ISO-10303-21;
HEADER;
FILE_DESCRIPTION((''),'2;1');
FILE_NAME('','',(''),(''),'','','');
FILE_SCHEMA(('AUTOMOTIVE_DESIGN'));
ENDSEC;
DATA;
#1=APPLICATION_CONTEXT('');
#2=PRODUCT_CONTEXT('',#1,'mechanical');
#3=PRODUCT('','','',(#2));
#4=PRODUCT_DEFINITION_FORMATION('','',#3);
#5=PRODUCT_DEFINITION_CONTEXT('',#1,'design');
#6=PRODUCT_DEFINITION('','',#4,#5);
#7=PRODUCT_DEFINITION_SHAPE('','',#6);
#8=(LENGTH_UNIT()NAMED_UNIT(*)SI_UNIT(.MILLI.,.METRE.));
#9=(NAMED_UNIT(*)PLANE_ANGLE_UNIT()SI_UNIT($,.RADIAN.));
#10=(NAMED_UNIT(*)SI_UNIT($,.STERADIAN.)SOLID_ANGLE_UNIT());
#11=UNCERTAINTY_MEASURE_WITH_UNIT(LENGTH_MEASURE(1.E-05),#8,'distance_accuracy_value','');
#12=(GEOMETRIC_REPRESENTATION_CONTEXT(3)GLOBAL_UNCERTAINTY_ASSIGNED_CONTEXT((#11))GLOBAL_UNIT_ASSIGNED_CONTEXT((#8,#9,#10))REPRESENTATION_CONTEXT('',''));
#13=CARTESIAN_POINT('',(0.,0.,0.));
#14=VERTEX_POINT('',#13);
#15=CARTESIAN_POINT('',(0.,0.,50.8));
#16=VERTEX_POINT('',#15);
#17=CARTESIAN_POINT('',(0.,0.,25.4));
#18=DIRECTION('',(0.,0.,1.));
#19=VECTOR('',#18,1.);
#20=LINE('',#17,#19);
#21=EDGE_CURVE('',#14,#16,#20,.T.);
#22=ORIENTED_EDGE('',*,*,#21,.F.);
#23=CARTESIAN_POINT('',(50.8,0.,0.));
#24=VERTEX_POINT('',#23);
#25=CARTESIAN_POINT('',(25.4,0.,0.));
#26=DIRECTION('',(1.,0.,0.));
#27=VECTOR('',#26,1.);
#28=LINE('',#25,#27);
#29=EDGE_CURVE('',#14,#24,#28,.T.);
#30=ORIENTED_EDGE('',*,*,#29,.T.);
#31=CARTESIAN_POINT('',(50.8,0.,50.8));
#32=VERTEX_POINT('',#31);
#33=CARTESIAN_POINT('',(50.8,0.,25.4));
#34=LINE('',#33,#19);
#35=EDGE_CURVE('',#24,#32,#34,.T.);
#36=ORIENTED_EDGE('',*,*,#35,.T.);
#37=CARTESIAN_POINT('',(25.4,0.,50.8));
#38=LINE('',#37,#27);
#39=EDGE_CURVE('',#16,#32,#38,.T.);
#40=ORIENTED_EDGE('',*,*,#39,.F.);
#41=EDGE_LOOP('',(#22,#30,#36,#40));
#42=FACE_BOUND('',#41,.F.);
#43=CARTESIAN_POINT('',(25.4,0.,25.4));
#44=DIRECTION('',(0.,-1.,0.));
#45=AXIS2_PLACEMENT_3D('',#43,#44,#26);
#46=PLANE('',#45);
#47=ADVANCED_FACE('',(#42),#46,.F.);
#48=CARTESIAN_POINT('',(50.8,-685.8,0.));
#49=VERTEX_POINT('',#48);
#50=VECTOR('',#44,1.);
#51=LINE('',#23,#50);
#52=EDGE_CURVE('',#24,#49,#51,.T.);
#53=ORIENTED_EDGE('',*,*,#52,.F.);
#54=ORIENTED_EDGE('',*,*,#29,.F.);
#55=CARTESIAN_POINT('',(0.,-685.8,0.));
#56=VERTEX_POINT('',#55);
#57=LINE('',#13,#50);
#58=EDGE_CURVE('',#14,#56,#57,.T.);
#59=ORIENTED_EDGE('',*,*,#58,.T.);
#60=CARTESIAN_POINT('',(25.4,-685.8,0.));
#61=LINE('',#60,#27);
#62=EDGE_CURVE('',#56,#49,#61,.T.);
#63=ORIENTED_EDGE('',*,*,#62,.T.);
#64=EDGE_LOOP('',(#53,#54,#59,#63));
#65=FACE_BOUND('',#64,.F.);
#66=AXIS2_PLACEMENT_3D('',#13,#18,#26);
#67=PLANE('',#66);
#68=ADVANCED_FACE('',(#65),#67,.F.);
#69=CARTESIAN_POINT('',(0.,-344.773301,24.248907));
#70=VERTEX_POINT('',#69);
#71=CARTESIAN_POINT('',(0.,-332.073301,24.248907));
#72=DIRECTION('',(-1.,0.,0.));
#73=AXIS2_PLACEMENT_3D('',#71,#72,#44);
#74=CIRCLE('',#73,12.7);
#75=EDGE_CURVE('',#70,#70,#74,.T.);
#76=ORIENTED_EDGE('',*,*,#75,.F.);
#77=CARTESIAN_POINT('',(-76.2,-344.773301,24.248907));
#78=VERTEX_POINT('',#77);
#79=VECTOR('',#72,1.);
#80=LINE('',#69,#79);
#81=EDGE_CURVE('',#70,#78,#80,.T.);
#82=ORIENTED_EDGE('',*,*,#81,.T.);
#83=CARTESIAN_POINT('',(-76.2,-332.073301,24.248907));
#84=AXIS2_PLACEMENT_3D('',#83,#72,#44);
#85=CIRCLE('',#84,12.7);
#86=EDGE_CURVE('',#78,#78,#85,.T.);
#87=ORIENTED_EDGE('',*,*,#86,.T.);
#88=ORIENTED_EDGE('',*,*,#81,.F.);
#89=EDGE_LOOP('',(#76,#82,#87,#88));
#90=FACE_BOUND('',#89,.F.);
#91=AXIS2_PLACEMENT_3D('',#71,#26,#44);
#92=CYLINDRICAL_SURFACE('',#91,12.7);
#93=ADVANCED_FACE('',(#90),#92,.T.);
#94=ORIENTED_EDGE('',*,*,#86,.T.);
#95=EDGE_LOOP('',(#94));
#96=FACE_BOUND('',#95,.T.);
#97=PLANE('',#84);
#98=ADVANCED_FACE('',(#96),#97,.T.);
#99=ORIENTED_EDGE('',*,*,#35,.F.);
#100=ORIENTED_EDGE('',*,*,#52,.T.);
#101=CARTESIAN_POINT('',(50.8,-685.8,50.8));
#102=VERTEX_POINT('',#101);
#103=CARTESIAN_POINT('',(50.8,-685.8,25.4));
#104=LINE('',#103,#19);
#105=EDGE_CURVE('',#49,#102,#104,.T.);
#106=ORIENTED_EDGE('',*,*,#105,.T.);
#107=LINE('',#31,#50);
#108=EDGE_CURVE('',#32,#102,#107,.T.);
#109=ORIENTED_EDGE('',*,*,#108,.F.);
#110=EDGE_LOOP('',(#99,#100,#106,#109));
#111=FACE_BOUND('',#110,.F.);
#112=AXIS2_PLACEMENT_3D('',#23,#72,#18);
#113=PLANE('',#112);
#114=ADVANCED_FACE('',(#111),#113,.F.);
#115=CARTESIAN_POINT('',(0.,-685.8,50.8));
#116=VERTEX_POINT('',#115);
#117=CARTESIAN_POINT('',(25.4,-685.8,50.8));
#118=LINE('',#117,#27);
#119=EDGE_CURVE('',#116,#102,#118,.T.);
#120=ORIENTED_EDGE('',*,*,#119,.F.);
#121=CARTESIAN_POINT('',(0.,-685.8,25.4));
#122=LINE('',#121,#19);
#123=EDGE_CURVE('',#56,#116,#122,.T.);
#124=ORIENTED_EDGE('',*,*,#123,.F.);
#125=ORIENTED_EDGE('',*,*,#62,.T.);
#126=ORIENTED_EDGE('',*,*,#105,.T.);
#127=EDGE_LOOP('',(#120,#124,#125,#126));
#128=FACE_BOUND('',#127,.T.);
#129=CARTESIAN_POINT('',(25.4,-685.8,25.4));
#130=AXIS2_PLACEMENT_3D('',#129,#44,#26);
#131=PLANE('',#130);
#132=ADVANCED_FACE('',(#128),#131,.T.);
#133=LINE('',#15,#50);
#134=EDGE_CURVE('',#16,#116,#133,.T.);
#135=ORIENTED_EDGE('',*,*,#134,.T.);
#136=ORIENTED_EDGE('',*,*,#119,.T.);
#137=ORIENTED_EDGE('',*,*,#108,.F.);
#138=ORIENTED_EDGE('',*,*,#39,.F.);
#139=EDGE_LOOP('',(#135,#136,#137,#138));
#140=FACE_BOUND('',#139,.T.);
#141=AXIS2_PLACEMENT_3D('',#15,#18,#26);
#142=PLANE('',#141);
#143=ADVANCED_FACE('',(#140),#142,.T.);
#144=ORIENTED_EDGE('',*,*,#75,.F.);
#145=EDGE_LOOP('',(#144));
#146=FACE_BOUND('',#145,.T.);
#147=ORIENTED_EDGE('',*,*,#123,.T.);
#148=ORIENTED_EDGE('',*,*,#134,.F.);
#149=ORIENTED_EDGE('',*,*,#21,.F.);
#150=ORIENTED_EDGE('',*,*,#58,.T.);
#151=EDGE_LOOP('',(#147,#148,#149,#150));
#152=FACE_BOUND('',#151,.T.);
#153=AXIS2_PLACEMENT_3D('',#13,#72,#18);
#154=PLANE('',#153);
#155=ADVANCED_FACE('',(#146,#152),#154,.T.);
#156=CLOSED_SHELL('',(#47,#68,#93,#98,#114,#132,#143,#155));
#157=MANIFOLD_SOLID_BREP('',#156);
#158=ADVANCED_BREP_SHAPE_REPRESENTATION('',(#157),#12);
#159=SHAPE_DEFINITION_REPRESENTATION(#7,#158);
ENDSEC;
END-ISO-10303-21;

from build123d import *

# Parameters (mm, degrees)
F0_W     = 50.8
F0_H     = 50.8
F1_DEPTH = 685.8
F2_R     = 12.7
F3_DEPTH = 76.2


with BuildPart() as f1:
    # F0 (on Front) → F1 (new body)
    with BuildSketch(Plane.XZ):
        with Locations((25.4, 25.4)):
            Rectangle(F0_W, F0_H)
    extrude(amount=F1_DEPTH)

    # F2 (on face) → F3 (join)
    with BuildSketch(Plane(origin=(0, 0, 0), x_dir=(0, -1, 0), z_dir=(-1, 0, 0))):
        with Locations((332.073301, 24.248907)):
            Circle(F2_R)
    extrude(amount=F3_DEPTH)


solid = f1.part
